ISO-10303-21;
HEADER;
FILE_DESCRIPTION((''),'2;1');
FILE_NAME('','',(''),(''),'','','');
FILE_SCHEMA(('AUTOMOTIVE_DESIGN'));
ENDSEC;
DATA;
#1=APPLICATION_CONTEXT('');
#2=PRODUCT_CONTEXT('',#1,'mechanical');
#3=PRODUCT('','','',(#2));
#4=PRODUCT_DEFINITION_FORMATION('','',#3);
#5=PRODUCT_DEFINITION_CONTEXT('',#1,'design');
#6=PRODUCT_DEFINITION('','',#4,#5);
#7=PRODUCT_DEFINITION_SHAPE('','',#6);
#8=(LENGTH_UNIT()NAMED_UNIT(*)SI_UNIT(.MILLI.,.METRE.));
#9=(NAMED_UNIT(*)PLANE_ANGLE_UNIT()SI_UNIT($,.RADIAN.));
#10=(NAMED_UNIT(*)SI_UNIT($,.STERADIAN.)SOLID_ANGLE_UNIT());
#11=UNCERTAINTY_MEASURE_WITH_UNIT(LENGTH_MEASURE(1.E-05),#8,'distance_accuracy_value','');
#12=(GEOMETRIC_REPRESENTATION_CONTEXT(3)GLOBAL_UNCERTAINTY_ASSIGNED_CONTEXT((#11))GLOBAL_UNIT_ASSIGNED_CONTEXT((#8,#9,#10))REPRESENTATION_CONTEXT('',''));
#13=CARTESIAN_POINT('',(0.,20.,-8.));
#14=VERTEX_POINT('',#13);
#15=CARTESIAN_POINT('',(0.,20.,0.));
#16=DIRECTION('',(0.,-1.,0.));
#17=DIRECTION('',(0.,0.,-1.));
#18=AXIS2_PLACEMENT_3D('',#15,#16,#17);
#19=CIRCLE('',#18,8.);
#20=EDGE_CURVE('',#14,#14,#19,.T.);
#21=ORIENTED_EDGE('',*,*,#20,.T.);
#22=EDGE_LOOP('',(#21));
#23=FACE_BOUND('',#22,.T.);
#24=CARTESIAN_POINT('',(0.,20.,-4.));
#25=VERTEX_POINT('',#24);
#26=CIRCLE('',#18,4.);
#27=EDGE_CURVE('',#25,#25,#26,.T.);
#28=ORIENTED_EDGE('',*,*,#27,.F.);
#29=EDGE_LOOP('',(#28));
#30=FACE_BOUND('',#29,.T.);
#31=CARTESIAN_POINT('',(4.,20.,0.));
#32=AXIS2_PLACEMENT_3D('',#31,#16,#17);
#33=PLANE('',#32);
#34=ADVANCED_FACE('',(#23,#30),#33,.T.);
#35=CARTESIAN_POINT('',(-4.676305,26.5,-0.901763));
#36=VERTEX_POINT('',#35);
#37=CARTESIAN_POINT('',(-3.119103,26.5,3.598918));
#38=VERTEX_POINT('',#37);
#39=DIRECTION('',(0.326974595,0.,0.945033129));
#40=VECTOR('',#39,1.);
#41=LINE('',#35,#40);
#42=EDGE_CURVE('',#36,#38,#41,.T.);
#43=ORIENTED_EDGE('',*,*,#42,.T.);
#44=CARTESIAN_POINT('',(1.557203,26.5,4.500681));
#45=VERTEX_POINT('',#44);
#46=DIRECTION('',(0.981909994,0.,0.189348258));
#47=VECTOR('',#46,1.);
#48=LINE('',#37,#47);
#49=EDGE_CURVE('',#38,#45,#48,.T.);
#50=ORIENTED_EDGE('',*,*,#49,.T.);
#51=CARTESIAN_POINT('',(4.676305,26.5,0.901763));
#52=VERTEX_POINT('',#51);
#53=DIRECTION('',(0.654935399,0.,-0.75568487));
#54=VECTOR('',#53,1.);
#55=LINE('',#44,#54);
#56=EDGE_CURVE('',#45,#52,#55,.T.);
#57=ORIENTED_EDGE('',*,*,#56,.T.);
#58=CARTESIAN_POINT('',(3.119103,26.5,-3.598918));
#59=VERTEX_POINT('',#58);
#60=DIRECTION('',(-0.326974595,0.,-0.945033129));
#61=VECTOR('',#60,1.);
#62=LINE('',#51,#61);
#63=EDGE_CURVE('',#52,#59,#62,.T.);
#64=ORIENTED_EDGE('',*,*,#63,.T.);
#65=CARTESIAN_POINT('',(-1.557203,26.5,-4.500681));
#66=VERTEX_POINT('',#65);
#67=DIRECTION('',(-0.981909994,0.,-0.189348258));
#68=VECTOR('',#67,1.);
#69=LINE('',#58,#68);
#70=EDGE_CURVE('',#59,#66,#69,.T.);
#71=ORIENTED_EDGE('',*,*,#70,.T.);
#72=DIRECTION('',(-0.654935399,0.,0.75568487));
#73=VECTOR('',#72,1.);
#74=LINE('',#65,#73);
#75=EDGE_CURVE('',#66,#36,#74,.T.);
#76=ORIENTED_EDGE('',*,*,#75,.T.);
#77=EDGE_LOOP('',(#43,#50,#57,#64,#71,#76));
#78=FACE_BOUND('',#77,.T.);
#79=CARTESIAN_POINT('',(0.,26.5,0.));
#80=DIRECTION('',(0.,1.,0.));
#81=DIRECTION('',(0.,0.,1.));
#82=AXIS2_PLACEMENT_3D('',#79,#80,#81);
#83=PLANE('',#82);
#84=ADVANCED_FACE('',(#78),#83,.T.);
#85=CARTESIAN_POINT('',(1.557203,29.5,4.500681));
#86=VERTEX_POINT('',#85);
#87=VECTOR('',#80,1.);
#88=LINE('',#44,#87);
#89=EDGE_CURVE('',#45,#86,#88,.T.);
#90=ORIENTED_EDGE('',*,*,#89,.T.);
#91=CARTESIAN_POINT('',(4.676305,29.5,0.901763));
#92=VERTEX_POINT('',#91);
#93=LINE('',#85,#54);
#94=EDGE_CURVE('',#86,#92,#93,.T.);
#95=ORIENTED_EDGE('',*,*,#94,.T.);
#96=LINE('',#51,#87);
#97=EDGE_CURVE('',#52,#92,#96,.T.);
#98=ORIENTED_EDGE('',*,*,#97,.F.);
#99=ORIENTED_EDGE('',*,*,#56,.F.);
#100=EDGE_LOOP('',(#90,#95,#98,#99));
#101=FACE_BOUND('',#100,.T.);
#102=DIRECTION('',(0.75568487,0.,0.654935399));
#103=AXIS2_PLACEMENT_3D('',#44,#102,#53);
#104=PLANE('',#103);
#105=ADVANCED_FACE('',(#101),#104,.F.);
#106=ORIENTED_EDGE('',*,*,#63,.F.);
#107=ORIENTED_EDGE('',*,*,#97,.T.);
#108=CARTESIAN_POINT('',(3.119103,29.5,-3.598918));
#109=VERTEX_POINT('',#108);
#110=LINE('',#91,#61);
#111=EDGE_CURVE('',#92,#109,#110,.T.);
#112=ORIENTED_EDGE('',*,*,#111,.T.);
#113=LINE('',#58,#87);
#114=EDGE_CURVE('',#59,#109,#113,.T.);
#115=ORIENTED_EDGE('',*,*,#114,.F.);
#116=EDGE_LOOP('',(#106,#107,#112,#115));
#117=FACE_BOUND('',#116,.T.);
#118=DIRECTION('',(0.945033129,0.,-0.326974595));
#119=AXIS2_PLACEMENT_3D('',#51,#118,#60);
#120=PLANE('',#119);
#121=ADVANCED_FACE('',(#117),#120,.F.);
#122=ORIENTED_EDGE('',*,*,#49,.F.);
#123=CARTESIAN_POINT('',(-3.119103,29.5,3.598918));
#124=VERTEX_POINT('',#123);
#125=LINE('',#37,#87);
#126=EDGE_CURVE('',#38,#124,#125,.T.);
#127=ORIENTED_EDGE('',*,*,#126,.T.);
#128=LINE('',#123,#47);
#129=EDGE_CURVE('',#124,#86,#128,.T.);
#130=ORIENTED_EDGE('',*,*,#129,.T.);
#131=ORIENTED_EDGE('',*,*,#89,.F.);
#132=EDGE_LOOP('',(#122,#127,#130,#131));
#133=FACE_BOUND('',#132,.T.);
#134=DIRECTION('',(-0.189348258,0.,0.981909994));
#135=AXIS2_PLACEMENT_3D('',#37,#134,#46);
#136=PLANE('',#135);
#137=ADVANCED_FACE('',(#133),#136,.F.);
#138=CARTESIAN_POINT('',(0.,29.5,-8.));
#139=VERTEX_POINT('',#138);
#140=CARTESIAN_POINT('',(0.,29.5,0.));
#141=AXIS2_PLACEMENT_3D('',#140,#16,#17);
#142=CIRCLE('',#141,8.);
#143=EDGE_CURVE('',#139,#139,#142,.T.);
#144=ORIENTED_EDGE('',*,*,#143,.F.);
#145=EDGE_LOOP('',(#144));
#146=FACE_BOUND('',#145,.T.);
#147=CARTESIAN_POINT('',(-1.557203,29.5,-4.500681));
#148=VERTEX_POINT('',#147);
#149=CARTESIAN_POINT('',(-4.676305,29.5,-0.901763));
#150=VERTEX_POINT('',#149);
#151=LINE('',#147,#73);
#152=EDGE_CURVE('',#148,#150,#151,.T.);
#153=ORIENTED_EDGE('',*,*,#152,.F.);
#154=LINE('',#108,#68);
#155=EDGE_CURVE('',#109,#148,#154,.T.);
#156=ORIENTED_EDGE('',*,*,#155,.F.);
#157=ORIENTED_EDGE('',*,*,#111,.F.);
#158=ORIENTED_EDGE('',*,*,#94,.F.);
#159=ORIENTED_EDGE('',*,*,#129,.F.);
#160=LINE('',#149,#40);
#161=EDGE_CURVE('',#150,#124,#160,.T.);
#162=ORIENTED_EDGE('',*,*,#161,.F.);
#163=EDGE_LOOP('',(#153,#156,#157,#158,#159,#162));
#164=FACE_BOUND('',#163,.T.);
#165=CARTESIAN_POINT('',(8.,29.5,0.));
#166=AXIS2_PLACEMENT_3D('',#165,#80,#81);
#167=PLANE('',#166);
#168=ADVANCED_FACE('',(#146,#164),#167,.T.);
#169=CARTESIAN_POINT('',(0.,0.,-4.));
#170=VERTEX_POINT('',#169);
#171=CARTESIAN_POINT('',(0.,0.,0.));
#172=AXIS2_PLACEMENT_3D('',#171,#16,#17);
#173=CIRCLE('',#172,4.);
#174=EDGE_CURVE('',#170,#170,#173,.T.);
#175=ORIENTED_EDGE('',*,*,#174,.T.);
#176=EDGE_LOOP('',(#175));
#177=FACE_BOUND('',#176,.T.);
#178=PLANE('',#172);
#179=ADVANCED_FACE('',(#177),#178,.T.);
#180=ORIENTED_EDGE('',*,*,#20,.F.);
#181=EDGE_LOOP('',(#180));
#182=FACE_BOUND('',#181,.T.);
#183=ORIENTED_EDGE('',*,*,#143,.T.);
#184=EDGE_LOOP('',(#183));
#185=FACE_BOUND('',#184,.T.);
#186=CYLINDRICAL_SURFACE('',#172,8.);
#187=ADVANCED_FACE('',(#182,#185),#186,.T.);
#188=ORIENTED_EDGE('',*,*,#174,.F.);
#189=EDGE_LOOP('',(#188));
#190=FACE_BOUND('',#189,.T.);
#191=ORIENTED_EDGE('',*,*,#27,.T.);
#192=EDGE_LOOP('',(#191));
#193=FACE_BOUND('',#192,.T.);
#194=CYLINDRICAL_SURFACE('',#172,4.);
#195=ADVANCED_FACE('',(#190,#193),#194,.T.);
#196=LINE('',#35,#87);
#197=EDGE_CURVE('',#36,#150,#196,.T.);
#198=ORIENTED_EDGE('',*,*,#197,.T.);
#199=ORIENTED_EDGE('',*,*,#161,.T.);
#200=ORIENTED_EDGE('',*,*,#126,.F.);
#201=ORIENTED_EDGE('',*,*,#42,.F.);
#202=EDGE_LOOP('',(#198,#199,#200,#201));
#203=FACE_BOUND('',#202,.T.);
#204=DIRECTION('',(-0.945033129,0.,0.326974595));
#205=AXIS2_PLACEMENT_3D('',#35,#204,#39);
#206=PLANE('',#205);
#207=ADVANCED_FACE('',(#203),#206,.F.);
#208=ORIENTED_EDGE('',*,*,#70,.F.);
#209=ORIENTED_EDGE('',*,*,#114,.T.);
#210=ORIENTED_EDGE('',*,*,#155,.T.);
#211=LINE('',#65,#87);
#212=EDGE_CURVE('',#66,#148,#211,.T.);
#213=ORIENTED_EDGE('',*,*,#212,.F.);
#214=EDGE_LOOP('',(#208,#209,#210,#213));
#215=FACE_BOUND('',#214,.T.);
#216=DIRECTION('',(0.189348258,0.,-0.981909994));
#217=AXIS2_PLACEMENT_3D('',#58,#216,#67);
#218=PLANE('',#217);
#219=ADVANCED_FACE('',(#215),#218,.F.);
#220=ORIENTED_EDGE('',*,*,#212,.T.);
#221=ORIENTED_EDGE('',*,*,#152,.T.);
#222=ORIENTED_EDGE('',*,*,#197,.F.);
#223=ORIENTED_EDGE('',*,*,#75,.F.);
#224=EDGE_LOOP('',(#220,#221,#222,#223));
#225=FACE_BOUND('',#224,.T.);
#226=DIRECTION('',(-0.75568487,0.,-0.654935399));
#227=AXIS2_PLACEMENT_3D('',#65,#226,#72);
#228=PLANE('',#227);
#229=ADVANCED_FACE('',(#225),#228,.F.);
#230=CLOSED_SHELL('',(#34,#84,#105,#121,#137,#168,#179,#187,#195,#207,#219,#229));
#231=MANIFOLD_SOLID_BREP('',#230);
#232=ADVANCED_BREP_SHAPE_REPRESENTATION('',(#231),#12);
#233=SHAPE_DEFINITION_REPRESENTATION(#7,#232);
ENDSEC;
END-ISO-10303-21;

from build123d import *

# Parameters (mm, degrees)
CUT_EXTRUDE1_DEPTH = 3


with BuildPart() as part:
    # Sketch1 → Revolve1 (revolve)
    with BuildSketch(Plane.XY):
        Polygon((0, 0), (4, 0), (4, 20), (8, 20), (8, 29.5), (0, 29.5), align=None)
    revolve(axis=Axis((0, 0, 0), (0, 1, 0)))

    # Sketch2 → Cut-Extrude1 (cut)
    with BuildSketch(Plane(origin=(0, 29.5, 0), x_dir=(1, 0, 0), z_dir=(0, 1, 0))):
        Polygon((3.119102549, 3.598917707), (-1.557202886, 4.500680898), (-4.676305435, 0.901763191), (-3.119102549, -3.598917707), (1.557202886, -4.500680898), (4.676305435, -0.901763191), align=None)
    extrude(amount=-CUT_EXTRUDE1_DEPTH, mode=Mode.SUBTRACT)


solid = part.part
